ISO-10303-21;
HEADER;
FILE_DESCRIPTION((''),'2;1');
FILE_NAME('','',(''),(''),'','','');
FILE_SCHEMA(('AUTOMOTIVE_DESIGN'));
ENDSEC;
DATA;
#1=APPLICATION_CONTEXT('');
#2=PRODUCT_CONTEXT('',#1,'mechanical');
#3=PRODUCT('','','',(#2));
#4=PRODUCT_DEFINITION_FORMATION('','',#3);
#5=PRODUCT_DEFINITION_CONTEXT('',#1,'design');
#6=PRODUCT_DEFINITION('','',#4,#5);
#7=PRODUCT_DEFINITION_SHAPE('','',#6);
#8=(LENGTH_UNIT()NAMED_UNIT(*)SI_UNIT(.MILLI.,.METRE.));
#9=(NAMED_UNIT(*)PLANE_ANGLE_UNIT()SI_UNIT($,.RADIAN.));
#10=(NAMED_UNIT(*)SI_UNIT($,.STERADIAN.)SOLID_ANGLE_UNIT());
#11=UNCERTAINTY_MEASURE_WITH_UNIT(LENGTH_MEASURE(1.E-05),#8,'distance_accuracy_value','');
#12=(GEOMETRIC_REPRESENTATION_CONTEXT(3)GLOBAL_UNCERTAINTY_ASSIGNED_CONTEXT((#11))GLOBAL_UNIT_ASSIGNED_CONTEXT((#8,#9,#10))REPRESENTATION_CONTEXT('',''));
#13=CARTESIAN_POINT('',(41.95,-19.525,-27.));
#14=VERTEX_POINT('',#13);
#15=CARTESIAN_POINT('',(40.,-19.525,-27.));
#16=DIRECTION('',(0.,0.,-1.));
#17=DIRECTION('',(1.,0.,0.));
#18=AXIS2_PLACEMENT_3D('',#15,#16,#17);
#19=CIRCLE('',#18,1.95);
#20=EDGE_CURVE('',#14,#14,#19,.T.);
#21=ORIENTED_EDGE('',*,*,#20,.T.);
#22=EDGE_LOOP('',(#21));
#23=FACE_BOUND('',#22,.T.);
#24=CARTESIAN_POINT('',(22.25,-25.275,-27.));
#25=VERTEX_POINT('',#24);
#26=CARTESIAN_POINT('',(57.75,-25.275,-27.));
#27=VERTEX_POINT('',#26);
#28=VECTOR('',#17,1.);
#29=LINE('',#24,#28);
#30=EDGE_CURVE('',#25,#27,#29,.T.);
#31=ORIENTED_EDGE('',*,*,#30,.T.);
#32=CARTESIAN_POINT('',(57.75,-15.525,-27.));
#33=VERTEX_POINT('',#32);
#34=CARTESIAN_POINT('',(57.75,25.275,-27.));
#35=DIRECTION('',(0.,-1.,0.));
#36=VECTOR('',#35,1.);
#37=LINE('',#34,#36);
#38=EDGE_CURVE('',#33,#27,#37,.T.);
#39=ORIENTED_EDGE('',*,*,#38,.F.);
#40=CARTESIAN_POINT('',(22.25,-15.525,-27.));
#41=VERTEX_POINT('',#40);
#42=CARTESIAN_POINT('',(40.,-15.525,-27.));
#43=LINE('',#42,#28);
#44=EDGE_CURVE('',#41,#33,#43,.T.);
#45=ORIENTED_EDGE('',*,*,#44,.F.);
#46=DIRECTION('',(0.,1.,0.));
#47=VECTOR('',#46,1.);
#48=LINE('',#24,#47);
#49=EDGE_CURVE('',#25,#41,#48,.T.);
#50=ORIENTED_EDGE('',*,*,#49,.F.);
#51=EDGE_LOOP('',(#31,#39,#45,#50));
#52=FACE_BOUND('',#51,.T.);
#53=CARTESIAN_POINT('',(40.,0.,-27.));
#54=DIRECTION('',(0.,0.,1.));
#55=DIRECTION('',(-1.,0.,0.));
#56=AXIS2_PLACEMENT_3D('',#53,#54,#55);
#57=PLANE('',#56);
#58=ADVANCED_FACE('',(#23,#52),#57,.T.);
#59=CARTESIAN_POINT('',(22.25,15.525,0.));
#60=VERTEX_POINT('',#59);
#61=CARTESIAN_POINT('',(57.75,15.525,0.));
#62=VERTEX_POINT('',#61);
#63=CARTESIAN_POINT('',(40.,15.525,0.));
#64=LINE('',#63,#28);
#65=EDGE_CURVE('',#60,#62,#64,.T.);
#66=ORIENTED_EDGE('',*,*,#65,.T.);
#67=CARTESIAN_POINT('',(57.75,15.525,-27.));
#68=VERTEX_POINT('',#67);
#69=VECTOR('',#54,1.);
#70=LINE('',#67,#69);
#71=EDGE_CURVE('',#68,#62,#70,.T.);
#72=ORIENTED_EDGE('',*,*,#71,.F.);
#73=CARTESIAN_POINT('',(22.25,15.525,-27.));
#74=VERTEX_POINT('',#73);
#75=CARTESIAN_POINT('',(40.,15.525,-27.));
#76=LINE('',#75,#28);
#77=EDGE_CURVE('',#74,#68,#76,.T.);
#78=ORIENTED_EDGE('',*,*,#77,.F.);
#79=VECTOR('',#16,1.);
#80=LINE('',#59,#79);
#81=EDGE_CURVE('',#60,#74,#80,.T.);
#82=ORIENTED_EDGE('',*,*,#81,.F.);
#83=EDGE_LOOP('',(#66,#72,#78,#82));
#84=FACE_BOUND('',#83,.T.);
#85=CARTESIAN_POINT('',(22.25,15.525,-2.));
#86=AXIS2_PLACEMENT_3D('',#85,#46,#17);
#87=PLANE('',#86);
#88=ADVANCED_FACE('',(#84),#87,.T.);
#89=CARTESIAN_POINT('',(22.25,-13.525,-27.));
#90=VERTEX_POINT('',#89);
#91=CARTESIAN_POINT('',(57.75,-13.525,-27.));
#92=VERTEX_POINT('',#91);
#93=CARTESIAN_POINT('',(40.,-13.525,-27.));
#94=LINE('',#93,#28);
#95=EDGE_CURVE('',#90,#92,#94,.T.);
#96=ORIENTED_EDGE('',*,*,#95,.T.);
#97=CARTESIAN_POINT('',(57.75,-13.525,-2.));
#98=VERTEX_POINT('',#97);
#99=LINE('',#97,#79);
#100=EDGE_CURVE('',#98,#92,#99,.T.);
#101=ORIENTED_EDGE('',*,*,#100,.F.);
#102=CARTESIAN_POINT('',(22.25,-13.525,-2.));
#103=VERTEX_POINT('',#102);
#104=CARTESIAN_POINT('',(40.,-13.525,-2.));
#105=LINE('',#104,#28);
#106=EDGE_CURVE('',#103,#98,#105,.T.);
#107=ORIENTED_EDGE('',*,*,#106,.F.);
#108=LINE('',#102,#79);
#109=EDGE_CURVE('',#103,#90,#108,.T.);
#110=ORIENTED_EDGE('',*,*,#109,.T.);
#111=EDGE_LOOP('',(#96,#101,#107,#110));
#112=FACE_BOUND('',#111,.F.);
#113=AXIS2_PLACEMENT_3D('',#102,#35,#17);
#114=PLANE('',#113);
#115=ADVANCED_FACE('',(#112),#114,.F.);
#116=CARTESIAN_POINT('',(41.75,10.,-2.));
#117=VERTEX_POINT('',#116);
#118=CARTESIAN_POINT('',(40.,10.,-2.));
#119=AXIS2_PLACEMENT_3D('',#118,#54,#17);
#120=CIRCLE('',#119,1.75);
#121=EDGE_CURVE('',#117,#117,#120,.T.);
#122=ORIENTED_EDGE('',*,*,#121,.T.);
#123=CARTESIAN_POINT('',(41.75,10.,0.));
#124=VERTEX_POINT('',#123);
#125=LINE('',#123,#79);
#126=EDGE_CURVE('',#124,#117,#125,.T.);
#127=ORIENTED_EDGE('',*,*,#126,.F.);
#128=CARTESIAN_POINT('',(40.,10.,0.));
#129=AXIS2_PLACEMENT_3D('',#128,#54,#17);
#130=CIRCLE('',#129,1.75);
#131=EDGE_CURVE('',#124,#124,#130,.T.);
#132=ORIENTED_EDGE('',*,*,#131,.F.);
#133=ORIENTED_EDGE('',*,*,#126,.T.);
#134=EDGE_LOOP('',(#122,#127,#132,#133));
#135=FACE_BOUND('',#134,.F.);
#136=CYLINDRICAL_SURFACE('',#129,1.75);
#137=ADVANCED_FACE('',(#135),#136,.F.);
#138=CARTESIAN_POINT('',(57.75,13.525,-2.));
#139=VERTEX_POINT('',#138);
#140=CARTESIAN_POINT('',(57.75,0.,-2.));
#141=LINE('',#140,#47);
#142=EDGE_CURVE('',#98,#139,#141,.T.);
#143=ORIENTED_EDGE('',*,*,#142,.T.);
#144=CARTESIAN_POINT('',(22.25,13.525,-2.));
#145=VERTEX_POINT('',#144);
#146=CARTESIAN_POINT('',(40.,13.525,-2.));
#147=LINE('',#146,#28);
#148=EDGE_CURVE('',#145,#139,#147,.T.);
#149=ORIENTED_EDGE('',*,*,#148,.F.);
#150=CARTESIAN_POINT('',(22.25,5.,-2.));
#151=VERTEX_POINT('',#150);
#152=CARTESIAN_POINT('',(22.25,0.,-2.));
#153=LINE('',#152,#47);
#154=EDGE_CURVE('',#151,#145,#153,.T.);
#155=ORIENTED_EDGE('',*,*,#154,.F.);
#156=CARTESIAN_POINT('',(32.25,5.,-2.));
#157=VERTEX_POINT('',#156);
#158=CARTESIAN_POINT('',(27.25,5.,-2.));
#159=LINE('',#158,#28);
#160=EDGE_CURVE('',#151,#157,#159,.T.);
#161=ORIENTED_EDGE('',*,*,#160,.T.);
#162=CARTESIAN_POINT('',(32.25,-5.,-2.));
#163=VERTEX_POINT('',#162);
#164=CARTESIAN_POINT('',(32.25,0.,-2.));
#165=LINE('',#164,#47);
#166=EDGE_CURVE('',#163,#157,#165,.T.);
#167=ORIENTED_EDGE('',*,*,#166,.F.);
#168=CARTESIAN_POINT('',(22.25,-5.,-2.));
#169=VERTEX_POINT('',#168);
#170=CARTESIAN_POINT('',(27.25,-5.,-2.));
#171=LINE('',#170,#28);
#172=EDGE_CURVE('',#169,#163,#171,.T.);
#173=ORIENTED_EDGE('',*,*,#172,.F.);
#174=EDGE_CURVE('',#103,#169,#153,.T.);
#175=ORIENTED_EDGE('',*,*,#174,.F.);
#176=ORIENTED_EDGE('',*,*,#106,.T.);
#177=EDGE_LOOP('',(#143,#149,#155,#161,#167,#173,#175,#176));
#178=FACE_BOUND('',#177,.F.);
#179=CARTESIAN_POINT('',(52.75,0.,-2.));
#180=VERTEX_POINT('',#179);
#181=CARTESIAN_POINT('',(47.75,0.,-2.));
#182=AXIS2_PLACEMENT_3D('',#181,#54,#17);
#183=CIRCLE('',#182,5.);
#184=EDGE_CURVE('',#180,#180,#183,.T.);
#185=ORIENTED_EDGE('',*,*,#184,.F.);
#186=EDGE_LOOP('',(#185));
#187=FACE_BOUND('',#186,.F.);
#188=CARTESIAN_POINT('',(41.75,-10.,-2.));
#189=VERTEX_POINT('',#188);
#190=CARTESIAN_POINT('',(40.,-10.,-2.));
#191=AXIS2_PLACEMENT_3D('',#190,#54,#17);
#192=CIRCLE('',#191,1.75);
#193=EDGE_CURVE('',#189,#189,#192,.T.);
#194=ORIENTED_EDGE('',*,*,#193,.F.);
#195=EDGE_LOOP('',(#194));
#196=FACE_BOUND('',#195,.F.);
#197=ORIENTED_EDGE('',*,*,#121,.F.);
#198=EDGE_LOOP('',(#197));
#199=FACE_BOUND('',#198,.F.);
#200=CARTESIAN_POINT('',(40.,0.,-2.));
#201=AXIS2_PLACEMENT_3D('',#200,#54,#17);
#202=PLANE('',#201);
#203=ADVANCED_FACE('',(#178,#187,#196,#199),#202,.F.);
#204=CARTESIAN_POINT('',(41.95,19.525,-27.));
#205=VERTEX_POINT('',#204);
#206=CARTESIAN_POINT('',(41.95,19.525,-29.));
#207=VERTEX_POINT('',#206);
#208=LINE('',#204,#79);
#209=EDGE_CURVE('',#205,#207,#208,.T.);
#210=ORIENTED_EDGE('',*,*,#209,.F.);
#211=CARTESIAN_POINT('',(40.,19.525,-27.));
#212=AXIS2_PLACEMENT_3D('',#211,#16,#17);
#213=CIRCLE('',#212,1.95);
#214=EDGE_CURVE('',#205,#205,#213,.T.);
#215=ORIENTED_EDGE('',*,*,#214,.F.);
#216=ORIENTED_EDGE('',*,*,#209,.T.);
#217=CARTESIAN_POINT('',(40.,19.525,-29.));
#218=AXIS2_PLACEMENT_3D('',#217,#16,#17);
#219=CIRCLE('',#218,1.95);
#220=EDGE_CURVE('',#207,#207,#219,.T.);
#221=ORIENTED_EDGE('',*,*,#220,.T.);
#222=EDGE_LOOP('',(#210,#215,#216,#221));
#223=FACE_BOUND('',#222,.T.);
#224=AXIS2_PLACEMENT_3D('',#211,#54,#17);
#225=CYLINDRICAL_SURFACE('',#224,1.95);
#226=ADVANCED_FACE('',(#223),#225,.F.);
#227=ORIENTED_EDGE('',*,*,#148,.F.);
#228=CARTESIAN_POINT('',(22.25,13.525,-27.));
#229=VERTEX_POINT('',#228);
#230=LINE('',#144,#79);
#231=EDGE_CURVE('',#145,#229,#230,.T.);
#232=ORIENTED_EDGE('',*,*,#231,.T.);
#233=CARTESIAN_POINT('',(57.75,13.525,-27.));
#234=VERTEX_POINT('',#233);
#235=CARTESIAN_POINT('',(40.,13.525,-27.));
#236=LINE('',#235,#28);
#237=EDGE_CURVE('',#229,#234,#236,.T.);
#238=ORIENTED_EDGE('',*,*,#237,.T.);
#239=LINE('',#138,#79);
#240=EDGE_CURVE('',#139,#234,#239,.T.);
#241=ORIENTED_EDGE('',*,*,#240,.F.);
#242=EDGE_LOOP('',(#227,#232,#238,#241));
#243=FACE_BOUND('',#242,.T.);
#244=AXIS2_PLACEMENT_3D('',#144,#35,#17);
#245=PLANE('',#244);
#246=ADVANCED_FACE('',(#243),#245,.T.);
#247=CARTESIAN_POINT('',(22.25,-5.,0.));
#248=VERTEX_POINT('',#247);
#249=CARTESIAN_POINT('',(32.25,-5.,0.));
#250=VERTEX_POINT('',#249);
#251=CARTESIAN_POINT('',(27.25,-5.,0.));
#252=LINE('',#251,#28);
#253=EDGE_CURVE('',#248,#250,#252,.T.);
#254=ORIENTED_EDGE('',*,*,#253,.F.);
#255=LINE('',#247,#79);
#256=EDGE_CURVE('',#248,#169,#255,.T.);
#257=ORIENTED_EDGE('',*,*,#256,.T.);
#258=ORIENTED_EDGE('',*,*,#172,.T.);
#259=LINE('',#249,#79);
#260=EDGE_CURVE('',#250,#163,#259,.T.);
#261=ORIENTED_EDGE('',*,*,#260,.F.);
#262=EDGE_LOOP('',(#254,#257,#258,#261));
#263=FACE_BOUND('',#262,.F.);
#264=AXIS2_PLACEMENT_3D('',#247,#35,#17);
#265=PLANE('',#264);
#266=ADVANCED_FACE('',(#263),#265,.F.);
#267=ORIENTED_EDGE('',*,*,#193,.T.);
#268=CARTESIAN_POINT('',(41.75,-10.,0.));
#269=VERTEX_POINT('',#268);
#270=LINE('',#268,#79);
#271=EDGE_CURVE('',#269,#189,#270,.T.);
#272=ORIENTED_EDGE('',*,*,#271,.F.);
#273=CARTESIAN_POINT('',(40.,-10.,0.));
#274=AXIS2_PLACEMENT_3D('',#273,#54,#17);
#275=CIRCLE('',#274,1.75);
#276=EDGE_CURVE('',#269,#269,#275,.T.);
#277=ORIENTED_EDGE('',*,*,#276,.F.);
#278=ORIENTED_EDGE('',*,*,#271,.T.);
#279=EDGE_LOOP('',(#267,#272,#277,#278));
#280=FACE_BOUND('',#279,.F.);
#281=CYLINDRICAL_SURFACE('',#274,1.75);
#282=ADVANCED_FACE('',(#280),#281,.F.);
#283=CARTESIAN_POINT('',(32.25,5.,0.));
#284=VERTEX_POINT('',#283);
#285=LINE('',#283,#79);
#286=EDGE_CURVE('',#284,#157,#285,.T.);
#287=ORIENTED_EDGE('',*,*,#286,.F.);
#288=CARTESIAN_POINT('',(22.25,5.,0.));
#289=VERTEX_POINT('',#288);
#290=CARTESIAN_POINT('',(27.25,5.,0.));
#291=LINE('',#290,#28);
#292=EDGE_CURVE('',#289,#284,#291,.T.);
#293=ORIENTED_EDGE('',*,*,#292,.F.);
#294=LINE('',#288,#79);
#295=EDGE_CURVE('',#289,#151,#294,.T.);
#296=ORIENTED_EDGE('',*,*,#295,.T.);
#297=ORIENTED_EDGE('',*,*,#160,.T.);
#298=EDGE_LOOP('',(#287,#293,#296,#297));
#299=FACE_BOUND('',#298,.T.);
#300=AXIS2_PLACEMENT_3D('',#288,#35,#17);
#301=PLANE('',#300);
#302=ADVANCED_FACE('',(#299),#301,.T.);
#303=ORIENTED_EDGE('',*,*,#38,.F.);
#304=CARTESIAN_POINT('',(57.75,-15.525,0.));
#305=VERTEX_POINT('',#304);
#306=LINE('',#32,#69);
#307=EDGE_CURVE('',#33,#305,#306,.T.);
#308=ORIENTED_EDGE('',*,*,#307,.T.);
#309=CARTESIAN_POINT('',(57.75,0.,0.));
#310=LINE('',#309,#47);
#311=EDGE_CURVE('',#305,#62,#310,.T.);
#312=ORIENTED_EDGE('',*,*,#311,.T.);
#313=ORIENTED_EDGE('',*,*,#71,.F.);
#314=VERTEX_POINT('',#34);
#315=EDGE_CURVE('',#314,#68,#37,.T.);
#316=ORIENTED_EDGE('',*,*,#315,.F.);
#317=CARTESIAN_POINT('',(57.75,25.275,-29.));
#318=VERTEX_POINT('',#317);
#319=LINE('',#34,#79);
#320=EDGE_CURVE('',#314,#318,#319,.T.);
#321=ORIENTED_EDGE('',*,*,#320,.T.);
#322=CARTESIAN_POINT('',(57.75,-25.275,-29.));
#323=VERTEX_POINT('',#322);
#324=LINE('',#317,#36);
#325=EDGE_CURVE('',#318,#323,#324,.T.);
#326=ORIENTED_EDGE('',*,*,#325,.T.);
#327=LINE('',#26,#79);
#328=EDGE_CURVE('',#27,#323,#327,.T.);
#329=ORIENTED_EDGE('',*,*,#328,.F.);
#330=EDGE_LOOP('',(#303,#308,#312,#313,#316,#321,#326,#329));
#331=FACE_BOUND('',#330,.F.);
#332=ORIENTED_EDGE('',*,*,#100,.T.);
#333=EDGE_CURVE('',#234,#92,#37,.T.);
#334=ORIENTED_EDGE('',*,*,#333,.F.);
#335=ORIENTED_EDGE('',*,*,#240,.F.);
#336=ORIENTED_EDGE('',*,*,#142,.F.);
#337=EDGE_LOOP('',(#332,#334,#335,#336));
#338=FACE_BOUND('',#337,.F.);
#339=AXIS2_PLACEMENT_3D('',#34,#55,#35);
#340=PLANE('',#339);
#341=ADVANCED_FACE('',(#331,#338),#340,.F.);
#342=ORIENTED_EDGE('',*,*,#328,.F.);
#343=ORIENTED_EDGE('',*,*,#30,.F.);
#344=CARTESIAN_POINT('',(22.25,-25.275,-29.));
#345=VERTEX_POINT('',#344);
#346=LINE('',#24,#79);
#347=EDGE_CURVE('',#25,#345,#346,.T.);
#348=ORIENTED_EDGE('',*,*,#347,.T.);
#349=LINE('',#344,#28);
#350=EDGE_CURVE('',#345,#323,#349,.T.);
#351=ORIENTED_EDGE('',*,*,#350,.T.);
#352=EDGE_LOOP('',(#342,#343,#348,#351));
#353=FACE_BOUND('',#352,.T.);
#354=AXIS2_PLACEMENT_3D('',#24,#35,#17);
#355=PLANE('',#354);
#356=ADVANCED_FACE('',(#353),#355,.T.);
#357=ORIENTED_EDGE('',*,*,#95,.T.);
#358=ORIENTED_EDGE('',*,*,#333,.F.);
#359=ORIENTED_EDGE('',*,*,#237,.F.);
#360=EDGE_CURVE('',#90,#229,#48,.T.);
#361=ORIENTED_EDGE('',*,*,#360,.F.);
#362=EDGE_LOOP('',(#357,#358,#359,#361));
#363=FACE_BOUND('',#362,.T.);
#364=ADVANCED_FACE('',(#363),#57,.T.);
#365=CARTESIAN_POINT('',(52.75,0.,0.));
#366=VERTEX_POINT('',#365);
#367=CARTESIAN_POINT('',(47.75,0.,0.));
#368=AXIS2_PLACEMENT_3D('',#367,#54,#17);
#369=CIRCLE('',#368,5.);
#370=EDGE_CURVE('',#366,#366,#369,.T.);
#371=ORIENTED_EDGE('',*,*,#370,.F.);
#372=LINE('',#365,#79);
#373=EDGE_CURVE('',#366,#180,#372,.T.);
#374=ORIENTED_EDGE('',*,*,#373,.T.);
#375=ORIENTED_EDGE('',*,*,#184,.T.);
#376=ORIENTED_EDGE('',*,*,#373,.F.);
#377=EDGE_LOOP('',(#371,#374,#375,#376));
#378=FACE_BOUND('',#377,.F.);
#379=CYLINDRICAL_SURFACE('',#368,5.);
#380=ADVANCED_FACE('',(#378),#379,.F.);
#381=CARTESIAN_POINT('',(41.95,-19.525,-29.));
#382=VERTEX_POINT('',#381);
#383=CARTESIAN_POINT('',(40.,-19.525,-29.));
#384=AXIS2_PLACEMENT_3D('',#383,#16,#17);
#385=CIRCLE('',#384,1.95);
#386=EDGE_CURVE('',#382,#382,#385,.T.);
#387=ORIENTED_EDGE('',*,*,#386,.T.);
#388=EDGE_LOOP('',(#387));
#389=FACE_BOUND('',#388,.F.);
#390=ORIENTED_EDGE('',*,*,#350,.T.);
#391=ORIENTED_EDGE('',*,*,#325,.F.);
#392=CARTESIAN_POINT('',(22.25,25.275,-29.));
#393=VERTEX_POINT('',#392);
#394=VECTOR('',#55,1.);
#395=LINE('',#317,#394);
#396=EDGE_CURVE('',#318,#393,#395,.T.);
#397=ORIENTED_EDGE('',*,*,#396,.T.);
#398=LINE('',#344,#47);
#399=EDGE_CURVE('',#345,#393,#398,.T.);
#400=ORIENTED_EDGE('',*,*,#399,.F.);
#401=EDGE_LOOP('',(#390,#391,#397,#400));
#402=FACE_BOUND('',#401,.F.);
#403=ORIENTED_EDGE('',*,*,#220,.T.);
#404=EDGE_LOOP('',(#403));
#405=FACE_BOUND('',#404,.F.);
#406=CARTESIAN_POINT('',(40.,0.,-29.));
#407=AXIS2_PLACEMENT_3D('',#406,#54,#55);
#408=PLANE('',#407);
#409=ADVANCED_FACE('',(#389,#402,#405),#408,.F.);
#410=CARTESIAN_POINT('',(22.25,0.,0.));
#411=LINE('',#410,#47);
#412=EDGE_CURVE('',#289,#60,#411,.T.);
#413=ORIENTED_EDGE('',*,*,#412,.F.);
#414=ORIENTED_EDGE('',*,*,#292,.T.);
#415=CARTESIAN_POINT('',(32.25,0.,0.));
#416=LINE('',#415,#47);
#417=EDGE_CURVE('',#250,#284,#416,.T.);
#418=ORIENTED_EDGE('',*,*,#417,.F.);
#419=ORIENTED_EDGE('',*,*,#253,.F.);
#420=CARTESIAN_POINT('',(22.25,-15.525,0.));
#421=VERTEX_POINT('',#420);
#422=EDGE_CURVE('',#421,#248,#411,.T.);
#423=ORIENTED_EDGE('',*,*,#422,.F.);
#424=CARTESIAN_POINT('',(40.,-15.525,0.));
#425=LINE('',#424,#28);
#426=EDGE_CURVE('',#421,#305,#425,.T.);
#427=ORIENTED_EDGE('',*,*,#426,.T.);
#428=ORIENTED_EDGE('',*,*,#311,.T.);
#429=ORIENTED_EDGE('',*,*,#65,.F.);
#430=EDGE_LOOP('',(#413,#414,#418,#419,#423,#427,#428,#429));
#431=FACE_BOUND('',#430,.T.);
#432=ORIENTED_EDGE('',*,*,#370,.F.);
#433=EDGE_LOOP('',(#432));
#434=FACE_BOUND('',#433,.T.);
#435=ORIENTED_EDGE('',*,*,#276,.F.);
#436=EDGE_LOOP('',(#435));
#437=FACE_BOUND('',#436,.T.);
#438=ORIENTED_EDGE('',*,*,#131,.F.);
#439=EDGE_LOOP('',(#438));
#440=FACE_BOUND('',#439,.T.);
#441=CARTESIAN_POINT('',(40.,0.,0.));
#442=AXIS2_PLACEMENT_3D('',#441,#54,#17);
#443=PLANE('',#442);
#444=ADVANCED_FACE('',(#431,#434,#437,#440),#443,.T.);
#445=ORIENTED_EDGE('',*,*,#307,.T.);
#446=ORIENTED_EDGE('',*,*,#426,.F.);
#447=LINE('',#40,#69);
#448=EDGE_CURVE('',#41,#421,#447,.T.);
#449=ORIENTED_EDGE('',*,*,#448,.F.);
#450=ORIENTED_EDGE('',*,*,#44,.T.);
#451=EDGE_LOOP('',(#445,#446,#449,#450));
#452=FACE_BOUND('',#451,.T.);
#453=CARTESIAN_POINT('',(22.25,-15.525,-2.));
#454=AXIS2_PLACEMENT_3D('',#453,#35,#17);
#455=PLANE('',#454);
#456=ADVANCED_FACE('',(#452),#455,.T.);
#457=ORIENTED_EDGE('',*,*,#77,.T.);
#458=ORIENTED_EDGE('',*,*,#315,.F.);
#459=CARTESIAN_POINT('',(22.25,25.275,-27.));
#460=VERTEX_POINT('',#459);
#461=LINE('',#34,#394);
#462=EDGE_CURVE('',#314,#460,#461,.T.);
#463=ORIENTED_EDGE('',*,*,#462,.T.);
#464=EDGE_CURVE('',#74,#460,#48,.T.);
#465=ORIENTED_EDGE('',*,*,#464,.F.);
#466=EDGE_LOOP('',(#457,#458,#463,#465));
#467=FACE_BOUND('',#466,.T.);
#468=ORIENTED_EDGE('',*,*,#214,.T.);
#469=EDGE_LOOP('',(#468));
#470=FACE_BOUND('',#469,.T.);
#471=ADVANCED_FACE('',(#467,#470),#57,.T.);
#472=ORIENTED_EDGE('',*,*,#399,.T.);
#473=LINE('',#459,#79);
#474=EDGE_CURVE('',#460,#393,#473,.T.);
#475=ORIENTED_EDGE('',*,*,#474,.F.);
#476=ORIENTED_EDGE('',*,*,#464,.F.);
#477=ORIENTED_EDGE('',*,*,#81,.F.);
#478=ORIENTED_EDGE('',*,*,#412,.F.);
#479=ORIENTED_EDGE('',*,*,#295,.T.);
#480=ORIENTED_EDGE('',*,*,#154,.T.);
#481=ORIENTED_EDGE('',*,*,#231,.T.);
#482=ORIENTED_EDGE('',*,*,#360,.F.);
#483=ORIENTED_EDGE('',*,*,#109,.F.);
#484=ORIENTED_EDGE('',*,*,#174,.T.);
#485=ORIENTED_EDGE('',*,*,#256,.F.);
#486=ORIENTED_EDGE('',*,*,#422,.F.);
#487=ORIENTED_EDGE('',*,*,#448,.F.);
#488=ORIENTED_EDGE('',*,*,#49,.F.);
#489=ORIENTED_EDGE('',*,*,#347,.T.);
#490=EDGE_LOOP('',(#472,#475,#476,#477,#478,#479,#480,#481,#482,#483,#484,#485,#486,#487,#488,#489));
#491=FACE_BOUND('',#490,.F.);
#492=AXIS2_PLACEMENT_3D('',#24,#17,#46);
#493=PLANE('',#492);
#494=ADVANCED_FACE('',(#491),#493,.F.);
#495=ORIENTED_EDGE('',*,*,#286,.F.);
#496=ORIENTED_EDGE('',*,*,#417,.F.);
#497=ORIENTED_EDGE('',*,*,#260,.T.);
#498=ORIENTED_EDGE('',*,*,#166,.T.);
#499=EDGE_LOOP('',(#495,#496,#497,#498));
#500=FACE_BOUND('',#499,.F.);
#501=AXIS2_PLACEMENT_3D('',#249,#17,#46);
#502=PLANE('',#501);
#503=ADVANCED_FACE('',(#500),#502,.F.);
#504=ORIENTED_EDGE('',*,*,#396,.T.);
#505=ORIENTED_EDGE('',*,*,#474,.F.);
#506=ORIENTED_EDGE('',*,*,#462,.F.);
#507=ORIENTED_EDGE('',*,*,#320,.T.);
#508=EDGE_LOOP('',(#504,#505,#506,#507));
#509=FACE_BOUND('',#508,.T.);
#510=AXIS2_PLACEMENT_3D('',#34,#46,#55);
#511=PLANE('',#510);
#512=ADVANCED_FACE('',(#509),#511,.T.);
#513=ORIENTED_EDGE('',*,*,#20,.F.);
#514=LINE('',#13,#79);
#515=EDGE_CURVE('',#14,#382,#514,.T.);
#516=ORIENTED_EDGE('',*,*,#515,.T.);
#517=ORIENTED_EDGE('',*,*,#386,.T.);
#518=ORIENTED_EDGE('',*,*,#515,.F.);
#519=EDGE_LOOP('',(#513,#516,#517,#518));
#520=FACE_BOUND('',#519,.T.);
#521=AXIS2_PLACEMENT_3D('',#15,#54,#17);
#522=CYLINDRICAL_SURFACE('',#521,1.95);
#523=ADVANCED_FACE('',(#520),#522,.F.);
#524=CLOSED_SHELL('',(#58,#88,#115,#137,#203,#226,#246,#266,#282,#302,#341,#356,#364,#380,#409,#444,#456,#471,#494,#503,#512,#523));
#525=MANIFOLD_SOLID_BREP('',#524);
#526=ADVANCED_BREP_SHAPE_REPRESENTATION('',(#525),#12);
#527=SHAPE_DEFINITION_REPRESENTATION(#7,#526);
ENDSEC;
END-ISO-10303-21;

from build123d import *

# Parameters (mm, degrees)
SKETCH072_W     = 35.5
SKETCH072_H     = 31.05
PAD050_DEPTH    = 2
SKETCH073_W     = 35.5
SKETCH073_H     = 2
PAD051_DEPTH    = 25
SKETCH074_R     = 1.95
PAD052_DEPTH    = 2
SKETCH075_R     = 1.75
SKETCH075_R_2   = 5
SKETCH075_W     = 10
SKETCH075_H     = 10
POCKET013_DEPTH = 2


with BuildPart() as part:
    # Sketch072 → Pad050 (new body)
    with BuildSketch(Plane.XY):
        Rectangle(SKETCH072_W, SKETCH072_H)
    extrude(amount=PAD050_DEPTH)

    # Sketch073 (on Face5 of Pad050) → Pad051 (join)
    with BuildSketch(Plane(origin=(0, 0, 0), x_dir=(1, 0, 0), z_dir=(0, 0, -1))):
        with Locations((0, 14.525)):
            Rectangle(SKETCH073_W, SKETCH073_H)
        with Locations((0, -14.525)):
            Rectangle(SKETCH073_W, SKETCH073_H)
    extrude(amount=PAD051_DEPTH)

    # Sketch074 (on Face16 of Pad051) → Pad052 (join)
    with BuildSketch(Plane(origin=(0, 0, -25), x_dir=(1, 0, 0), z_dir=(0, 0, -1))):
        Polygon((-17.75, 25.275), (17.75, 25.275), (17.75, 15.525), (17.75, -15.525), (17.75, -25.275), (-17.75, -25.275), (-17.75, -15.525), (-17.75, 15.525), align=None)
        with Locations((0, 19.525)):
            Circle(SKETCH074_R, mode=Mode.SUBTRACT)
        with Locations((0, -19.525)):
            Circle(SKETCH074_R, mode=Mode.SUBTRACT)
    extrude(amount=PAD052_DEPTH)

    # Sketch075 (on Face6 of Pad050) → Pocket013 (cut)
    with BuildSketch(Plane.XY.offset(2)):
        with Locations((0, 10)):
            Circle(SKETCH075_R)
        with Locations((0, -10)):
            Circle(SKETCH075_R)
        with Locations((7.75, 0)):
            Circle(SKETCH075_R_2)
        with Locations((-12.75, 0)):
            Rectangle(SKETCH075_W, SKETCH075_H)
    extrude(amount=-POCKET013_DEPTH, mode=Mode.SUBTRACT)


with BuildPart() as part_1:
    # Body017 placement: moved
    add(part.part.moved(Location((40, 0, -2))))


solid = part_1.part
